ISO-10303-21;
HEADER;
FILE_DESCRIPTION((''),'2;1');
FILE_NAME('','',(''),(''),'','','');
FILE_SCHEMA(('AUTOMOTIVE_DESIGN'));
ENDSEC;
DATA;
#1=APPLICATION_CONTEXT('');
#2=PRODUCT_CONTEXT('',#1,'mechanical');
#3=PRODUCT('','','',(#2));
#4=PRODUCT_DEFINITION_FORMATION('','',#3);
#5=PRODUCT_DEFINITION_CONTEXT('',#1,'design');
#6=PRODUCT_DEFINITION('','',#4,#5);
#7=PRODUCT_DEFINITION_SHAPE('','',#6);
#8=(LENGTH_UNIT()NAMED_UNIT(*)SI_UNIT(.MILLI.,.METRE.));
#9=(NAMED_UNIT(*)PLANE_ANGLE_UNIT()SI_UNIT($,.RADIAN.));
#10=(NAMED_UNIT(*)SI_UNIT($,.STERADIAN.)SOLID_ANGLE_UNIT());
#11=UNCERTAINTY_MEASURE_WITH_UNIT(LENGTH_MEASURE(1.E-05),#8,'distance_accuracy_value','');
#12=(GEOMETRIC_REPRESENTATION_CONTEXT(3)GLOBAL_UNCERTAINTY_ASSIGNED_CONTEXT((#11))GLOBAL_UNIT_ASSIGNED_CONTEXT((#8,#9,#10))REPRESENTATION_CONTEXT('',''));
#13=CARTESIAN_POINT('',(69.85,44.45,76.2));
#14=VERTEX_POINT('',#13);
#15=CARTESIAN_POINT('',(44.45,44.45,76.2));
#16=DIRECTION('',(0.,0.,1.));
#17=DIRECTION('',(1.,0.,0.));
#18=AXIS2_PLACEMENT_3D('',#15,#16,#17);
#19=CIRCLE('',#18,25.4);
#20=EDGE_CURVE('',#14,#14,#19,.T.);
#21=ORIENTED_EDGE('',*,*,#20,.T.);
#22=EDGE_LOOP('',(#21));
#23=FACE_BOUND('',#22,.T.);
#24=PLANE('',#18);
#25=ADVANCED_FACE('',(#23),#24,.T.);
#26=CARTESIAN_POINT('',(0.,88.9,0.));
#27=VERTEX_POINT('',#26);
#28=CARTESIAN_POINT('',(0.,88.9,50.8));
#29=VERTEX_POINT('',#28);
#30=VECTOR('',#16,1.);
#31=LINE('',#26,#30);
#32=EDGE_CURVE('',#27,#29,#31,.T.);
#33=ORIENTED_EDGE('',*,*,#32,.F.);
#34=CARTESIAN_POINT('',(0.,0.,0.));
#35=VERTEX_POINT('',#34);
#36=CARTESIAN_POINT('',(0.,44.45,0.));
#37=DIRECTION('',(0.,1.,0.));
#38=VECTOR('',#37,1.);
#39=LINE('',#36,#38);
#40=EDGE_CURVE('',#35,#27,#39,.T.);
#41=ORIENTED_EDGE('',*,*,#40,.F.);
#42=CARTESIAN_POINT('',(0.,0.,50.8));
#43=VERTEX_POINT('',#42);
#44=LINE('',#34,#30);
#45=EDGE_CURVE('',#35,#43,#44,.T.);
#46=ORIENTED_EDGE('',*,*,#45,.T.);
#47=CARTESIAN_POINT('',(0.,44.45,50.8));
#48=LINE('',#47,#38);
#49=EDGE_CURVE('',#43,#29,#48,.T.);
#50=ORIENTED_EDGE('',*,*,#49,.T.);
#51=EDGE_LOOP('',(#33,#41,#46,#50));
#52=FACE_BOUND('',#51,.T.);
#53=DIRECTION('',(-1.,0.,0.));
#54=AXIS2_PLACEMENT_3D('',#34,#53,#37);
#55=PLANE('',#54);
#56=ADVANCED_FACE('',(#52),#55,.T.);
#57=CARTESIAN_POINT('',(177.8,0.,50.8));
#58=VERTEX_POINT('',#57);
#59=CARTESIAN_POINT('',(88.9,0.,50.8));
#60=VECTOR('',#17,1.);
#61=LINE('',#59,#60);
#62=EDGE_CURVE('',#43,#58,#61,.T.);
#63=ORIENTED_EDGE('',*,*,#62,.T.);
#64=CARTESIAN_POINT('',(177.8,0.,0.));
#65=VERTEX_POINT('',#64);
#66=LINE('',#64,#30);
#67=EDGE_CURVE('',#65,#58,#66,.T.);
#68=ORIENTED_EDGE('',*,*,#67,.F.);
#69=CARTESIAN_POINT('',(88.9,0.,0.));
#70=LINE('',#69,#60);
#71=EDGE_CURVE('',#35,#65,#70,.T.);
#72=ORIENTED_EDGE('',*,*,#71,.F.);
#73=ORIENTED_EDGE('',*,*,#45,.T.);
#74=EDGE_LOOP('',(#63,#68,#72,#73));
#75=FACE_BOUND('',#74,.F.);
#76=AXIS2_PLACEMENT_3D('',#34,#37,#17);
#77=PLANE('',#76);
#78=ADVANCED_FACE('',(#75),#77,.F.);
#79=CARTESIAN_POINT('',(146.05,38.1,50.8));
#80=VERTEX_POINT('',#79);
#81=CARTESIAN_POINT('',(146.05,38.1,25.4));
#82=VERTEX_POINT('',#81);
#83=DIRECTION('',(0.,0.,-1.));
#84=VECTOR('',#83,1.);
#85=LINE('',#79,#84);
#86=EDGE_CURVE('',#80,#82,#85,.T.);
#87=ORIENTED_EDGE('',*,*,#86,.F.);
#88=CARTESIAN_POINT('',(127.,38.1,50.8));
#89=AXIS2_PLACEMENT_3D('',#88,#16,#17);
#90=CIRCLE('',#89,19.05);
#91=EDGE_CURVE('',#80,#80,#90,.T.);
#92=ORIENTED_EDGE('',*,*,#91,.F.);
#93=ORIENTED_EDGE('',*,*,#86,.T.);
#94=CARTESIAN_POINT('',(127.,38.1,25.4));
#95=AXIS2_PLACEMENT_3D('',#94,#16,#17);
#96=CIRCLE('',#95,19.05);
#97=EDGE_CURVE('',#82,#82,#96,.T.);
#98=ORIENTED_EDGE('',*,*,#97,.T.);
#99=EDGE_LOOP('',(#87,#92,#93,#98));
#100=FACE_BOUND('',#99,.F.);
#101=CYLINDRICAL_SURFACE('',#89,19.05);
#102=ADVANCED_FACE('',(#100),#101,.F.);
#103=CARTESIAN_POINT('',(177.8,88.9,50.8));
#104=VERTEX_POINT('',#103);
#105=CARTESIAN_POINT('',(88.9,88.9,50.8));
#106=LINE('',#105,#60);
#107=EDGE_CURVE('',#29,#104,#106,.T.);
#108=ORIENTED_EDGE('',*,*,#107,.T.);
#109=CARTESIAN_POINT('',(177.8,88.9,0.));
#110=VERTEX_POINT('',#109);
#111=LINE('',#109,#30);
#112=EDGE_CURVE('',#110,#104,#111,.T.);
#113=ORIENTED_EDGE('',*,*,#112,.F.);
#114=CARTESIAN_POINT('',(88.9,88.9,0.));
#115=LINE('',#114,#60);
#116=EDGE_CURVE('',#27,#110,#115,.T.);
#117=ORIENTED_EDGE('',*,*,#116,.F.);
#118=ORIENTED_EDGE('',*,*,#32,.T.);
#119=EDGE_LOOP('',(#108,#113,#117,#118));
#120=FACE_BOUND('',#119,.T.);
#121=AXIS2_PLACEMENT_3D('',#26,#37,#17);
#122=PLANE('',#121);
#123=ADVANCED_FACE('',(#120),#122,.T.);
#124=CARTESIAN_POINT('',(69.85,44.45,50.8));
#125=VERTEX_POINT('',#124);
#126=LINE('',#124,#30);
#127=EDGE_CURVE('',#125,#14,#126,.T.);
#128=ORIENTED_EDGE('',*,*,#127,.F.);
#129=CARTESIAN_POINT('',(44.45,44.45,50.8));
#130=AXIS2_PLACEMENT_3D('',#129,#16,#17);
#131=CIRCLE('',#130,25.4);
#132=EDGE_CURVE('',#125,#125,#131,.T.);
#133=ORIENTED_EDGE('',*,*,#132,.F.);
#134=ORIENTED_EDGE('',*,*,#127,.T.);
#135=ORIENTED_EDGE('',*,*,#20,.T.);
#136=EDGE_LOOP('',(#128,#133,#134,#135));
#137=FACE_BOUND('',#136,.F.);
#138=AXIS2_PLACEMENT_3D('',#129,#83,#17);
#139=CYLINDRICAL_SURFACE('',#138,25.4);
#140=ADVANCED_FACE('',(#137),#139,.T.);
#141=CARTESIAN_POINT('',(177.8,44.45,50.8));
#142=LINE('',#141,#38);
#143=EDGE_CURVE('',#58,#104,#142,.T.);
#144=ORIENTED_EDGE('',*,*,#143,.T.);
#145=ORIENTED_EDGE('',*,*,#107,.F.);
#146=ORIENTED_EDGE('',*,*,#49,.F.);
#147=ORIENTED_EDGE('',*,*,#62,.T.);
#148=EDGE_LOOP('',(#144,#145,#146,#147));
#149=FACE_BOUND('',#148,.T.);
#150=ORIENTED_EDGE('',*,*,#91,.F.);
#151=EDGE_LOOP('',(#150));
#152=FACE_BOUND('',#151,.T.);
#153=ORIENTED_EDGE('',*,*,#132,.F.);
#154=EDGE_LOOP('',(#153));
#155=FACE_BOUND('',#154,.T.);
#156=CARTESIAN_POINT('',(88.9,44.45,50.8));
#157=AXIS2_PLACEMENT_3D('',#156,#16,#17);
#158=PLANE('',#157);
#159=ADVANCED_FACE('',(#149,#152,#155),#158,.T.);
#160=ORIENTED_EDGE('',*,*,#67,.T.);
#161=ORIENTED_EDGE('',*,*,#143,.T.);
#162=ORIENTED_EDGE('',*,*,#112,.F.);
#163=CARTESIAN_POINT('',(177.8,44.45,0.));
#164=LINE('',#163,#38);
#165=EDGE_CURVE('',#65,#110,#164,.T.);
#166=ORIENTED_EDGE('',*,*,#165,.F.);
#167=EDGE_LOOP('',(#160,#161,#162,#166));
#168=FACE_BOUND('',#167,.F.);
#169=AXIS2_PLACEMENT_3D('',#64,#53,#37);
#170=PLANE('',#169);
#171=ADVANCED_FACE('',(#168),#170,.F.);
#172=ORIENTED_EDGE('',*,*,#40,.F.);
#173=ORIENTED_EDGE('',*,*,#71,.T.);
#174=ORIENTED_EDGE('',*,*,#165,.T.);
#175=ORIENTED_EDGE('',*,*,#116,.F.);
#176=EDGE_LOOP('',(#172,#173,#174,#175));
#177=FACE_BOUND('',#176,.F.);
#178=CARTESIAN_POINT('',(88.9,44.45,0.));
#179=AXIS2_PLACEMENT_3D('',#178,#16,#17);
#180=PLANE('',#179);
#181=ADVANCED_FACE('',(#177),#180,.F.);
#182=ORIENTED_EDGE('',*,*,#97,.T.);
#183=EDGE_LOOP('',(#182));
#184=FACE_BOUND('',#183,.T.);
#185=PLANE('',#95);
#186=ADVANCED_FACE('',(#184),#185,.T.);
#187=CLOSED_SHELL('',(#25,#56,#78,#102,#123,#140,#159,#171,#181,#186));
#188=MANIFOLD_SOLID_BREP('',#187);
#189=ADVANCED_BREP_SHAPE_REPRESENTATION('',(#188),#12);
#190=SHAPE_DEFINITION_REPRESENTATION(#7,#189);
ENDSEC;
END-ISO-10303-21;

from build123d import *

# Parameters (mm, degrees)
F0_W     = 177.8
F0_H     = 88.9
F1_DEPTH = 50.8
F2_R     = 25.4
F3_DEPTH = 25.4
F4_R     = 19.05
F5_DEPTH = 25.4


with BuildPart() as f1:
    # F0 (on Top) → F1 (new body)
    with BuildSketch(Plane.XY):
        with Locations((88.9, 44.45)):
            Rectangle(F0_W, F0_H)
    extrude(amount=F1_DEPTH)

    # F2 (on face) → F3 (join)
    with BuildSketch(Plane.XY.offset(50.8)):
        with Locations((44.45, 44.45)):
            Circle(F2_R)
    extrude(amount=F3_DEPTH)

    # F4 (on face) → F5 (cut)
    with BuildSketch(Plane.XY.offset(50.8)):
        with Locations((127, 38.1)):
            Circle(F4_R)
    extrude(amount=-F5_DEPTH, mode=Mode.SUBTRACT)


solid = f1.part
